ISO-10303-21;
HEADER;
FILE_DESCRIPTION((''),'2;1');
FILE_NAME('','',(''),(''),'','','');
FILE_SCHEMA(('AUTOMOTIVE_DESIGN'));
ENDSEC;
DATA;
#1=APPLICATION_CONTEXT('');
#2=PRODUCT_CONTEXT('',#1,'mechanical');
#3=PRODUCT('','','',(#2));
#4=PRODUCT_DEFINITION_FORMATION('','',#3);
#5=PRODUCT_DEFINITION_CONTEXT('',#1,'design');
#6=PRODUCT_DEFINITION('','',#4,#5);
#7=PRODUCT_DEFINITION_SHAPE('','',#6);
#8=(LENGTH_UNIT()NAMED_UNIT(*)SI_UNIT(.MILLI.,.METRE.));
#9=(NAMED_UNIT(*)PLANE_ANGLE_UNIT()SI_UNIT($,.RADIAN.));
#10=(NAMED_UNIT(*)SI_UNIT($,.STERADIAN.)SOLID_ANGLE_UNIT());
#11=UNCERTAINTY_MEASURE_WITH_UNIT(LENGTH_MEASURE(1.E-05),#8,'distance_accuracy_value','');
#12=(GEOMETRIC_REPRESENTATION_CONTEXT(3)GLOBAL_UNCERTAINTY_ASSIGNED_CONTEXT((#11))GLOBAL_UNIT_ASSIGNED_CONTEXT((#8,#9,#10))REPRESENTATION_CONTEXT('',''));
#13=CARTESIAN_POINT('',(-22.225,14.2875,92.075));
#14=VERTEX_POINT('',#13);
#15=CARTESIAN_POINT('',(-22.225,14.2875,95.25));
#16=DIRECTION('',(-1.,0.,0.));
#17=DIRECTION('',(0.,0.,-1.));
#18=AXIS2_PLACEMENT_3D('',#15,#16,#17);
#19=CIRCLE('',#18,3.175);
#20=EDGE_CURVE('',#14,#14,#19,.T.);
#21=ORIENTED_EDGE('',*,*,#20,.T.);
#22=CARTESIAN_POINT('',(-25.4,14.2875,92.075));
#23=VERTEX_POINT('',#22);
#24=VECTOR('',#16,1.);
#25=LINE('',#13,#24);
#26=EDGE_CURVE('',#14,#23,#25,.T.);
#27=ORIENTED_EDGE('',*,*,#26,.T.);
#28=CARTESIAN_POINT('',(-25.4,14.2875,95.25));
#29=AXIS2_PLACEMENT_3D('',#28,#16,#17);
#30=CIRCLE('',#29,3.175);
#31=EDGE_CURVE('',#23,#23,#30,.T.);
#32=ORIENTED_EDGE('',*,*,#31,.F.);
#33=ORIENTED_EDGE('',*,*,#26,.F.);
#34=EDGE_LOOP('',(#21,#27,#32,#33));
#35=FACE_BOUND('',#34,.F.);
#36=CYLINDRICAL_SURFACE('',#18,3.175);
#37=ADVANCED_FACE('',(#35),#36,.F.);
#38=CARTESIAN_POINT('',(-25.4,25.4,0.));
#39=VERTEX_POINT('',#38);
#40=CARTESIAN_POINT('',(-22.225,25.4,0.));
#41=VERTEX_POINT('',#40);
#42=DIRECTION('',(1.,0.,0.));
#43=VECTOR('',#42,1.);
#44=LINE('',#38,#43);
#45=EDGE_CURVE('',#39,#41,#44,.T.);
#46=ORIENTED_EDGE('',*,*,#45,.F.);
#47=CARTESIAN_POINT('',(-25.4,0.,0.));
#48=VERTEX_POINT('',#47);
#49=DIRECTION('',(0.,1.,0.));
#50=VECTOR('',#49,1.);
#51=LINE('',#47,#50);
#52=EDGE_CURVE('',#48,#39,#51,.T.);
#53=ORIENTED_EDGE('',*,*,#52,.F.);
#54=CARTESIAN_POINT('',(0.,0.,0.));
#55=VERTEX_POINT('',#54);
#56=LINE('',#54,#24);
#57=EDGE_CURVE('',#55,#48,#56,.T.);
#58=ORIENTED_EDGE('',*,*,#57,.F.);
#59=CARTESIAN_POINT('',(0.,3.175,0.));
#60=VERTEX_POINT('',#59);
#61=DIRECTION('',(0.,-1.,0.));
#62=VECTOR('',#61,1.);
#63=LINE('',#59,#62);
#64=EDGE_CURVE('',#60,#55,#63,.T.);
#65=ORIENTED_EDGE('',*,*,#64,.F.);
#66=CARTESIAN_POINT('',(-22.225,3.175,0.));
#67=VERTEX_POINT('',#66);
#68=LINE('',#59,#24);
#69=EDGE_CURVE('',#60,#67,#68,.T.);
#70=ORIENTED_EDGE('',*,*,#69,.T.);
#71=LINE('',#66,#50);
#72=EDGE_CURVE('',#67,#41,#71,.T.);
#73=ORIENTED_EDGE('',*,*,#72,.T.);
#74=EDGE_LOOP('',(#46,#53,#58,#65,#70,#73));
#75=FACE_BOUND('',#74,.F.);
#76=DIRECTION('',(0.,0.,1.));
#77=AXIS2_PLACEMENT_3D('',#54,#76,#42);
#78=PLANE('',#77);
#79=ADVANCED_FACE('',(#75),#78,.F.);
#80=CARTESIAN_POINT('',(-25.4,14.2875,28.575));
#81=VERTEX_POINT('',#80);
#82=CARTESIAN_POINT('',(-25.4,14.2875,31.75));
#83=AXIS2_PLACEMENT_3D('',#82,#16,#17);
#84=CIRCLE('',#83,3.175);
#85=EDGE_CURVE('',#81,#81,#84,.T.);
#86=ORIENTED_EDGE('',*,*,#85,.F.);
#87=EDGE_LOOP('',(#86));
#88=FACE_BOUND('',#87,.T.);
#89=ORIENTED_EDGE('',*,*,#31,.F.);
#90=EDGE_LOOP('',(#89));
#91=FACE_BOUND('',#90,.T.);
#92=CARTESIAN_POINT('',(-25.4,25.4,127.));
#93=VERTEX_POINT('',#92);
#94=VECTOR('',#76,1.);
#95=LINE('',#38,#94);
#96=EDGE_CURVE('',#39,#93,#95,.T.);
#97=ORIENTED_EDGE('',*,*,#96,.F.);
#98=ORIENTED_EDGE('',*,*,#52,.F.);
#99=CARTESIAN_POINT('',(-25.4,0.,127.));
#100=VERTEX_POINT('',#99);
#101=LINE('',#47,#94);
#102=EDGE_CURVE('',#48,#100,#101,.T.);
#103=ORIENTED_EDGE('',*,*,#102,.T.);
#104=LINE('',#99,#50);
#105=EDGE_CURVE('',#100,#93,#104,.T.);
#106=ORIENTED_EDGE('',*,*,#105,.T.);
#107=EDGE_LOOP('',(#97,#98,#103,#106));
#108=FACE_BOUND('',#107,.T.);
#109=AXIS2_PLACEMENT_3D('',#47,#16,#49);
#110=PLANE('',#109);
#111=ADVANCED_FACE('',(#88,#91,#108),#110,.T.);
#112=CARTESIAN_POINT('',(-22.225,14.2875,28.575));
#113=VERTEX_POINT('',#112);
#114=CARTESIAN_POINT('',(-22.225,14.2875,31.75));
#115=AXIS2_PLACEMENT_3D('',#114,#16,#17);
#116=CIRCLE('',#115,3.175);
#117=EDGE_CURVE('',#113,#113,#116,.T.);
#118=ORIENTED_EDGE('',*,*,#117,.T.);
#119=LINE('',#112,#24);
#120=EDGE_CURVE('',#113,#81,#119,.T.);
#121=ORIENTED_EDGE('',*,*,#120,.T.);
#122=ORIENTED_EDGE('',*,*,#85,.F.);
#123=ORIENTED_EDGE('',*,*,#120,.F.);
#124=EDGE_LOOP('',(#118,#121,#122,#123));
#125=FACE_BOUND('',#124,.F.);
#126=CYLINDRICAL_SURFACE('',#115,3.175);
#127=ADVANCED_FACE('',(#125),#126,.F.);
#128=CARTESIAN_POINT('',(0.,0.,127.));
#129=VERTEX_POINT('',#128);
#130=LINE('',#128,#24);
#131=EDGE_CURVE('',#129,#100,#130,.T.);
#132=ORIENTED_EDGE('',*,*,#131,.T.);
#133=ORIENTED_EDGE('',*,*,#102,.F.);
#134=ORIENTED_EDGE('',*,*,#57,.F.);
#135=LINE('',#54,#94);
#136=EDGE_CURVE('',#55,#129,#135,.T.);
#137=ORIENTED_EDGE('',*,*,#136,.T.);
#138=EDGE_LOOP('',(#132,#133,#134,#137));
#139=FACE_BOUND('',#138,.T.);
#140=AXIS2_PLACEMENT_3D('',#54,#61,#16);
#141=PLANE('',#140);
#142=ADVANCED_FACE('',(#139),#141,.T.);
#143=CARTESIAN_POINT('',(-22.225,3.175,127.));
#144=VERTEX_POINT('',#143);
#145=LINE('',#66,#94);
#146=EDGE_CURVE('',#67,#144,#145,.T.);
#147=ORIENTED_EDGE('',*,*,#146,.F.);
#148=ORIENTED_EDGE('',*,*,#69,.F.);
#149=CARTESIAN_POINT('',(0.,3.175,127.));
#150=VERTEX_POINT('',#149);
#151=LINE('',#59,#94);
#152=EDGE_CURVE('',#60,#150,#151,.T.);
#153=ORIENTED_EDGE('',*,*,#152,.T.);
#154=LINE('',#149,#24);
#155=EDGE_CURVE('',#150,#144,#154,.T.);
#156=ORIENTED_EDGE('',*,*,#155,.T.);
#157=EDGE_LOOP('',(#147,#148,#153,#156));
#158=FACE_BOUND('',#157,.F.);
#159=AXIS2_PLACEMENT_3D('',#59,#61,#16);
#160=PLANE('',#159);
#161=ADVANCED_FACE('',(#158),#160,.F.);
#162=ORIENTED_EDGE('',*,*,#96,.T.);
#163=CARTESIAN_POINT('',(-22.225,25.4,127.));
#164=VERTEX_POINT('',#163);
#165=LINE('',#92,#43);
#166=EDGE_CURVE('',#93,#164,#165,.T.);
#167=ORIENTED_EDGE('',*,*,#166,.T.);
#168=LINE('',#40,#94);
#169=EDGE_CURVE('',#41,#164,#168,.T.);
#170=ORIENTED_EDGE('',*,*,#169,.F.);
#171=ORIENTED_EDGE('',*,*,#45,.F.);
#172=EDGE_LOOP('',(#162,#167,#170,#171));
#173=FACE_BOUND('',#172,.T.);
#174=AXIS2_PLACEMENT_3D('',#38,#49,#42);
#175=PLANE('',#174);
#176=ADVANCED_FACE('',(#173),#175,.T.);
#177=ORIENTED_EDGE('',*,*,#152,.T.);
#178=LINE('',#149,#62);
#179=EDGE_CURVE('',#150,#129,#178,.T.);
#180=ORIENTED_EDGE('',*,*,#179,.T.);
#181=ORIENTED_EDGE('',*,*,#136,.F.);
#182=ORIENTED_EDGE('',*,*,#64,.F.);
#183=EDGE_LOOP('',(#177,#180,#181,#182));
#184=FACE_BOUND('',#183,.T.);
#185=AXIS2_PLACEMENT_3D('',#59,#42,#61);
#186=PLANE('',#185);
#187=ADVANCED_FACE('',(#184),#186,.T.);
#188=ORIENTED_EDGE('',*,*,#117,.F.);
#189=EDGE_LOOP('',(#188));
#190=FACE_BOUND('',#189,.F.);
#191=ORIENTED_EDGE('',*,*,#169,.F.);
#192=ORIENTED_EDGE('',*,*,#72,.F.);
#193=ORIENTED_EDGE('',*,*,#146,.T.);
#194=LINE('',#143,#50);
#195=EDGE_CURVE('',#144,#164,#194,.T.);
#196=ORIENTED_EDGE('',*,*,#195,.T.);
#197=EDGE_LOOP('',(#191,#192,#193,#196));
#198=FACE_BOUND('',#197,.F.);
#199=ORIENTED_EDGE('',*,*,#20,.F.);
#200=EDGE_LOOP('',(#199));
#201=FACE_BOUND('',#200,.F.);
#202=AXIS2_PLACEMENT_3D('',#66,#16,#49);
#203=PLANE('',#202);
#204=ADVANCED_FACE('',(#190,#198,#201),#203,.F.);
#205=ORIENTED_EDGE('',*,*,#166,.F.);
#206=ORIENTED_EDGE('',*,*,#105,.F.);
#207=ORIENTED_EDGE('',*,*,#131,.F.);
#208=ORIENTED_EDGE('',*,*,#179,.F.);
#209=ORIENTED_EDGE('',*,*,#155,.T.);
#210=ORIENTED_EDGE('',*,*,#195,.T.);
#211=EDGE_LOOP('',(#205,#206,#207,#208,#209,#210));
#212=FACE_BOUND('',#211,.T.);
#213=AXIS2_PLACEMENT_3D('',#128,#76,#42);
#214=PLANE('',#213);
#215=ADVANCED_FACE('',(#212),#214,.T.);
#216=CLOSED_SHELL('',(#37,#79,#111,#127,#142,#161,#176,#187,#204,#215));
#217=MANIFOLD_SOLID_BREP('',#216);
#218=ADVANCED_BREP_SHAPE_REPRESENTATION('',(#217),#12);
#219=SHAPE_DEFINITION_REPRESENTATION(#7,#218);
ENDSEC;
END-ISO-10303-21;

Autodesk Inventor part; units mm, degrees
ref_plane "YZ Plane" through (0, 0, 0) normal (1, 0, 0) x (0, 1, 0)
ref_plane "XZ Plane" through (0, 0, 0) normal (0, 1, 0) x (-1, 0, 0)
ref_plane "XY Plane" through (0, 0, 0) normal (0, 0, 1) x (1, 0, 0)
sketch "Sketch1" plane through (0, 0, 0) normal (0, 0, 1) x (1, 0, 0)
  line L0 (0, 0) -> (-25.4, 0)
  line L1 (-25.4, 0) -> (-25.4, 25.4)
  line L2 (0, 3.175) -> (-22.225, 3.175)
  line L3 (-22.225, 3.175) -> (-22.225, 25.4)
  line L4 (0, 3.175) -> (0, 0)
  line L5 (-25.4, 25.4) -> (-22.225, 25.4)
  dimension "d0" = 25.4
  dimension "d2" = 25.4
  dimension "d3" = 3.175
extrude "Extrusion1" add sketch "Sketch1" along normal blind 127
sketch "Sketch2" plane through (-22.225, 3.175, 0) normal (1, 0, 0) x (0, 0, -1)
  line L0 (0, 22.225) -> (-127, 22.225) projected
  line L1 (-127, 0) -> (-127, 22.225) projected
  point P0 (0, -3.175)
  point P1 (-95.25, 11.1125)
  point P2 (-31.75, 11.1125)
  dimension "d6" = 11.1125
  dimension "d7" = 11.1125
  dimension "d8" = 63.5
  dimension "d9" = 31.75
hole "Hole1" at (-22.225, 14.2875, 95.25) at (-22.225, 14.2875, 31.75) direction (-1, 0, 0) diameter 6.35 depth 25.4 tip angle 118
properties part number "Ls in motor tensioner"
